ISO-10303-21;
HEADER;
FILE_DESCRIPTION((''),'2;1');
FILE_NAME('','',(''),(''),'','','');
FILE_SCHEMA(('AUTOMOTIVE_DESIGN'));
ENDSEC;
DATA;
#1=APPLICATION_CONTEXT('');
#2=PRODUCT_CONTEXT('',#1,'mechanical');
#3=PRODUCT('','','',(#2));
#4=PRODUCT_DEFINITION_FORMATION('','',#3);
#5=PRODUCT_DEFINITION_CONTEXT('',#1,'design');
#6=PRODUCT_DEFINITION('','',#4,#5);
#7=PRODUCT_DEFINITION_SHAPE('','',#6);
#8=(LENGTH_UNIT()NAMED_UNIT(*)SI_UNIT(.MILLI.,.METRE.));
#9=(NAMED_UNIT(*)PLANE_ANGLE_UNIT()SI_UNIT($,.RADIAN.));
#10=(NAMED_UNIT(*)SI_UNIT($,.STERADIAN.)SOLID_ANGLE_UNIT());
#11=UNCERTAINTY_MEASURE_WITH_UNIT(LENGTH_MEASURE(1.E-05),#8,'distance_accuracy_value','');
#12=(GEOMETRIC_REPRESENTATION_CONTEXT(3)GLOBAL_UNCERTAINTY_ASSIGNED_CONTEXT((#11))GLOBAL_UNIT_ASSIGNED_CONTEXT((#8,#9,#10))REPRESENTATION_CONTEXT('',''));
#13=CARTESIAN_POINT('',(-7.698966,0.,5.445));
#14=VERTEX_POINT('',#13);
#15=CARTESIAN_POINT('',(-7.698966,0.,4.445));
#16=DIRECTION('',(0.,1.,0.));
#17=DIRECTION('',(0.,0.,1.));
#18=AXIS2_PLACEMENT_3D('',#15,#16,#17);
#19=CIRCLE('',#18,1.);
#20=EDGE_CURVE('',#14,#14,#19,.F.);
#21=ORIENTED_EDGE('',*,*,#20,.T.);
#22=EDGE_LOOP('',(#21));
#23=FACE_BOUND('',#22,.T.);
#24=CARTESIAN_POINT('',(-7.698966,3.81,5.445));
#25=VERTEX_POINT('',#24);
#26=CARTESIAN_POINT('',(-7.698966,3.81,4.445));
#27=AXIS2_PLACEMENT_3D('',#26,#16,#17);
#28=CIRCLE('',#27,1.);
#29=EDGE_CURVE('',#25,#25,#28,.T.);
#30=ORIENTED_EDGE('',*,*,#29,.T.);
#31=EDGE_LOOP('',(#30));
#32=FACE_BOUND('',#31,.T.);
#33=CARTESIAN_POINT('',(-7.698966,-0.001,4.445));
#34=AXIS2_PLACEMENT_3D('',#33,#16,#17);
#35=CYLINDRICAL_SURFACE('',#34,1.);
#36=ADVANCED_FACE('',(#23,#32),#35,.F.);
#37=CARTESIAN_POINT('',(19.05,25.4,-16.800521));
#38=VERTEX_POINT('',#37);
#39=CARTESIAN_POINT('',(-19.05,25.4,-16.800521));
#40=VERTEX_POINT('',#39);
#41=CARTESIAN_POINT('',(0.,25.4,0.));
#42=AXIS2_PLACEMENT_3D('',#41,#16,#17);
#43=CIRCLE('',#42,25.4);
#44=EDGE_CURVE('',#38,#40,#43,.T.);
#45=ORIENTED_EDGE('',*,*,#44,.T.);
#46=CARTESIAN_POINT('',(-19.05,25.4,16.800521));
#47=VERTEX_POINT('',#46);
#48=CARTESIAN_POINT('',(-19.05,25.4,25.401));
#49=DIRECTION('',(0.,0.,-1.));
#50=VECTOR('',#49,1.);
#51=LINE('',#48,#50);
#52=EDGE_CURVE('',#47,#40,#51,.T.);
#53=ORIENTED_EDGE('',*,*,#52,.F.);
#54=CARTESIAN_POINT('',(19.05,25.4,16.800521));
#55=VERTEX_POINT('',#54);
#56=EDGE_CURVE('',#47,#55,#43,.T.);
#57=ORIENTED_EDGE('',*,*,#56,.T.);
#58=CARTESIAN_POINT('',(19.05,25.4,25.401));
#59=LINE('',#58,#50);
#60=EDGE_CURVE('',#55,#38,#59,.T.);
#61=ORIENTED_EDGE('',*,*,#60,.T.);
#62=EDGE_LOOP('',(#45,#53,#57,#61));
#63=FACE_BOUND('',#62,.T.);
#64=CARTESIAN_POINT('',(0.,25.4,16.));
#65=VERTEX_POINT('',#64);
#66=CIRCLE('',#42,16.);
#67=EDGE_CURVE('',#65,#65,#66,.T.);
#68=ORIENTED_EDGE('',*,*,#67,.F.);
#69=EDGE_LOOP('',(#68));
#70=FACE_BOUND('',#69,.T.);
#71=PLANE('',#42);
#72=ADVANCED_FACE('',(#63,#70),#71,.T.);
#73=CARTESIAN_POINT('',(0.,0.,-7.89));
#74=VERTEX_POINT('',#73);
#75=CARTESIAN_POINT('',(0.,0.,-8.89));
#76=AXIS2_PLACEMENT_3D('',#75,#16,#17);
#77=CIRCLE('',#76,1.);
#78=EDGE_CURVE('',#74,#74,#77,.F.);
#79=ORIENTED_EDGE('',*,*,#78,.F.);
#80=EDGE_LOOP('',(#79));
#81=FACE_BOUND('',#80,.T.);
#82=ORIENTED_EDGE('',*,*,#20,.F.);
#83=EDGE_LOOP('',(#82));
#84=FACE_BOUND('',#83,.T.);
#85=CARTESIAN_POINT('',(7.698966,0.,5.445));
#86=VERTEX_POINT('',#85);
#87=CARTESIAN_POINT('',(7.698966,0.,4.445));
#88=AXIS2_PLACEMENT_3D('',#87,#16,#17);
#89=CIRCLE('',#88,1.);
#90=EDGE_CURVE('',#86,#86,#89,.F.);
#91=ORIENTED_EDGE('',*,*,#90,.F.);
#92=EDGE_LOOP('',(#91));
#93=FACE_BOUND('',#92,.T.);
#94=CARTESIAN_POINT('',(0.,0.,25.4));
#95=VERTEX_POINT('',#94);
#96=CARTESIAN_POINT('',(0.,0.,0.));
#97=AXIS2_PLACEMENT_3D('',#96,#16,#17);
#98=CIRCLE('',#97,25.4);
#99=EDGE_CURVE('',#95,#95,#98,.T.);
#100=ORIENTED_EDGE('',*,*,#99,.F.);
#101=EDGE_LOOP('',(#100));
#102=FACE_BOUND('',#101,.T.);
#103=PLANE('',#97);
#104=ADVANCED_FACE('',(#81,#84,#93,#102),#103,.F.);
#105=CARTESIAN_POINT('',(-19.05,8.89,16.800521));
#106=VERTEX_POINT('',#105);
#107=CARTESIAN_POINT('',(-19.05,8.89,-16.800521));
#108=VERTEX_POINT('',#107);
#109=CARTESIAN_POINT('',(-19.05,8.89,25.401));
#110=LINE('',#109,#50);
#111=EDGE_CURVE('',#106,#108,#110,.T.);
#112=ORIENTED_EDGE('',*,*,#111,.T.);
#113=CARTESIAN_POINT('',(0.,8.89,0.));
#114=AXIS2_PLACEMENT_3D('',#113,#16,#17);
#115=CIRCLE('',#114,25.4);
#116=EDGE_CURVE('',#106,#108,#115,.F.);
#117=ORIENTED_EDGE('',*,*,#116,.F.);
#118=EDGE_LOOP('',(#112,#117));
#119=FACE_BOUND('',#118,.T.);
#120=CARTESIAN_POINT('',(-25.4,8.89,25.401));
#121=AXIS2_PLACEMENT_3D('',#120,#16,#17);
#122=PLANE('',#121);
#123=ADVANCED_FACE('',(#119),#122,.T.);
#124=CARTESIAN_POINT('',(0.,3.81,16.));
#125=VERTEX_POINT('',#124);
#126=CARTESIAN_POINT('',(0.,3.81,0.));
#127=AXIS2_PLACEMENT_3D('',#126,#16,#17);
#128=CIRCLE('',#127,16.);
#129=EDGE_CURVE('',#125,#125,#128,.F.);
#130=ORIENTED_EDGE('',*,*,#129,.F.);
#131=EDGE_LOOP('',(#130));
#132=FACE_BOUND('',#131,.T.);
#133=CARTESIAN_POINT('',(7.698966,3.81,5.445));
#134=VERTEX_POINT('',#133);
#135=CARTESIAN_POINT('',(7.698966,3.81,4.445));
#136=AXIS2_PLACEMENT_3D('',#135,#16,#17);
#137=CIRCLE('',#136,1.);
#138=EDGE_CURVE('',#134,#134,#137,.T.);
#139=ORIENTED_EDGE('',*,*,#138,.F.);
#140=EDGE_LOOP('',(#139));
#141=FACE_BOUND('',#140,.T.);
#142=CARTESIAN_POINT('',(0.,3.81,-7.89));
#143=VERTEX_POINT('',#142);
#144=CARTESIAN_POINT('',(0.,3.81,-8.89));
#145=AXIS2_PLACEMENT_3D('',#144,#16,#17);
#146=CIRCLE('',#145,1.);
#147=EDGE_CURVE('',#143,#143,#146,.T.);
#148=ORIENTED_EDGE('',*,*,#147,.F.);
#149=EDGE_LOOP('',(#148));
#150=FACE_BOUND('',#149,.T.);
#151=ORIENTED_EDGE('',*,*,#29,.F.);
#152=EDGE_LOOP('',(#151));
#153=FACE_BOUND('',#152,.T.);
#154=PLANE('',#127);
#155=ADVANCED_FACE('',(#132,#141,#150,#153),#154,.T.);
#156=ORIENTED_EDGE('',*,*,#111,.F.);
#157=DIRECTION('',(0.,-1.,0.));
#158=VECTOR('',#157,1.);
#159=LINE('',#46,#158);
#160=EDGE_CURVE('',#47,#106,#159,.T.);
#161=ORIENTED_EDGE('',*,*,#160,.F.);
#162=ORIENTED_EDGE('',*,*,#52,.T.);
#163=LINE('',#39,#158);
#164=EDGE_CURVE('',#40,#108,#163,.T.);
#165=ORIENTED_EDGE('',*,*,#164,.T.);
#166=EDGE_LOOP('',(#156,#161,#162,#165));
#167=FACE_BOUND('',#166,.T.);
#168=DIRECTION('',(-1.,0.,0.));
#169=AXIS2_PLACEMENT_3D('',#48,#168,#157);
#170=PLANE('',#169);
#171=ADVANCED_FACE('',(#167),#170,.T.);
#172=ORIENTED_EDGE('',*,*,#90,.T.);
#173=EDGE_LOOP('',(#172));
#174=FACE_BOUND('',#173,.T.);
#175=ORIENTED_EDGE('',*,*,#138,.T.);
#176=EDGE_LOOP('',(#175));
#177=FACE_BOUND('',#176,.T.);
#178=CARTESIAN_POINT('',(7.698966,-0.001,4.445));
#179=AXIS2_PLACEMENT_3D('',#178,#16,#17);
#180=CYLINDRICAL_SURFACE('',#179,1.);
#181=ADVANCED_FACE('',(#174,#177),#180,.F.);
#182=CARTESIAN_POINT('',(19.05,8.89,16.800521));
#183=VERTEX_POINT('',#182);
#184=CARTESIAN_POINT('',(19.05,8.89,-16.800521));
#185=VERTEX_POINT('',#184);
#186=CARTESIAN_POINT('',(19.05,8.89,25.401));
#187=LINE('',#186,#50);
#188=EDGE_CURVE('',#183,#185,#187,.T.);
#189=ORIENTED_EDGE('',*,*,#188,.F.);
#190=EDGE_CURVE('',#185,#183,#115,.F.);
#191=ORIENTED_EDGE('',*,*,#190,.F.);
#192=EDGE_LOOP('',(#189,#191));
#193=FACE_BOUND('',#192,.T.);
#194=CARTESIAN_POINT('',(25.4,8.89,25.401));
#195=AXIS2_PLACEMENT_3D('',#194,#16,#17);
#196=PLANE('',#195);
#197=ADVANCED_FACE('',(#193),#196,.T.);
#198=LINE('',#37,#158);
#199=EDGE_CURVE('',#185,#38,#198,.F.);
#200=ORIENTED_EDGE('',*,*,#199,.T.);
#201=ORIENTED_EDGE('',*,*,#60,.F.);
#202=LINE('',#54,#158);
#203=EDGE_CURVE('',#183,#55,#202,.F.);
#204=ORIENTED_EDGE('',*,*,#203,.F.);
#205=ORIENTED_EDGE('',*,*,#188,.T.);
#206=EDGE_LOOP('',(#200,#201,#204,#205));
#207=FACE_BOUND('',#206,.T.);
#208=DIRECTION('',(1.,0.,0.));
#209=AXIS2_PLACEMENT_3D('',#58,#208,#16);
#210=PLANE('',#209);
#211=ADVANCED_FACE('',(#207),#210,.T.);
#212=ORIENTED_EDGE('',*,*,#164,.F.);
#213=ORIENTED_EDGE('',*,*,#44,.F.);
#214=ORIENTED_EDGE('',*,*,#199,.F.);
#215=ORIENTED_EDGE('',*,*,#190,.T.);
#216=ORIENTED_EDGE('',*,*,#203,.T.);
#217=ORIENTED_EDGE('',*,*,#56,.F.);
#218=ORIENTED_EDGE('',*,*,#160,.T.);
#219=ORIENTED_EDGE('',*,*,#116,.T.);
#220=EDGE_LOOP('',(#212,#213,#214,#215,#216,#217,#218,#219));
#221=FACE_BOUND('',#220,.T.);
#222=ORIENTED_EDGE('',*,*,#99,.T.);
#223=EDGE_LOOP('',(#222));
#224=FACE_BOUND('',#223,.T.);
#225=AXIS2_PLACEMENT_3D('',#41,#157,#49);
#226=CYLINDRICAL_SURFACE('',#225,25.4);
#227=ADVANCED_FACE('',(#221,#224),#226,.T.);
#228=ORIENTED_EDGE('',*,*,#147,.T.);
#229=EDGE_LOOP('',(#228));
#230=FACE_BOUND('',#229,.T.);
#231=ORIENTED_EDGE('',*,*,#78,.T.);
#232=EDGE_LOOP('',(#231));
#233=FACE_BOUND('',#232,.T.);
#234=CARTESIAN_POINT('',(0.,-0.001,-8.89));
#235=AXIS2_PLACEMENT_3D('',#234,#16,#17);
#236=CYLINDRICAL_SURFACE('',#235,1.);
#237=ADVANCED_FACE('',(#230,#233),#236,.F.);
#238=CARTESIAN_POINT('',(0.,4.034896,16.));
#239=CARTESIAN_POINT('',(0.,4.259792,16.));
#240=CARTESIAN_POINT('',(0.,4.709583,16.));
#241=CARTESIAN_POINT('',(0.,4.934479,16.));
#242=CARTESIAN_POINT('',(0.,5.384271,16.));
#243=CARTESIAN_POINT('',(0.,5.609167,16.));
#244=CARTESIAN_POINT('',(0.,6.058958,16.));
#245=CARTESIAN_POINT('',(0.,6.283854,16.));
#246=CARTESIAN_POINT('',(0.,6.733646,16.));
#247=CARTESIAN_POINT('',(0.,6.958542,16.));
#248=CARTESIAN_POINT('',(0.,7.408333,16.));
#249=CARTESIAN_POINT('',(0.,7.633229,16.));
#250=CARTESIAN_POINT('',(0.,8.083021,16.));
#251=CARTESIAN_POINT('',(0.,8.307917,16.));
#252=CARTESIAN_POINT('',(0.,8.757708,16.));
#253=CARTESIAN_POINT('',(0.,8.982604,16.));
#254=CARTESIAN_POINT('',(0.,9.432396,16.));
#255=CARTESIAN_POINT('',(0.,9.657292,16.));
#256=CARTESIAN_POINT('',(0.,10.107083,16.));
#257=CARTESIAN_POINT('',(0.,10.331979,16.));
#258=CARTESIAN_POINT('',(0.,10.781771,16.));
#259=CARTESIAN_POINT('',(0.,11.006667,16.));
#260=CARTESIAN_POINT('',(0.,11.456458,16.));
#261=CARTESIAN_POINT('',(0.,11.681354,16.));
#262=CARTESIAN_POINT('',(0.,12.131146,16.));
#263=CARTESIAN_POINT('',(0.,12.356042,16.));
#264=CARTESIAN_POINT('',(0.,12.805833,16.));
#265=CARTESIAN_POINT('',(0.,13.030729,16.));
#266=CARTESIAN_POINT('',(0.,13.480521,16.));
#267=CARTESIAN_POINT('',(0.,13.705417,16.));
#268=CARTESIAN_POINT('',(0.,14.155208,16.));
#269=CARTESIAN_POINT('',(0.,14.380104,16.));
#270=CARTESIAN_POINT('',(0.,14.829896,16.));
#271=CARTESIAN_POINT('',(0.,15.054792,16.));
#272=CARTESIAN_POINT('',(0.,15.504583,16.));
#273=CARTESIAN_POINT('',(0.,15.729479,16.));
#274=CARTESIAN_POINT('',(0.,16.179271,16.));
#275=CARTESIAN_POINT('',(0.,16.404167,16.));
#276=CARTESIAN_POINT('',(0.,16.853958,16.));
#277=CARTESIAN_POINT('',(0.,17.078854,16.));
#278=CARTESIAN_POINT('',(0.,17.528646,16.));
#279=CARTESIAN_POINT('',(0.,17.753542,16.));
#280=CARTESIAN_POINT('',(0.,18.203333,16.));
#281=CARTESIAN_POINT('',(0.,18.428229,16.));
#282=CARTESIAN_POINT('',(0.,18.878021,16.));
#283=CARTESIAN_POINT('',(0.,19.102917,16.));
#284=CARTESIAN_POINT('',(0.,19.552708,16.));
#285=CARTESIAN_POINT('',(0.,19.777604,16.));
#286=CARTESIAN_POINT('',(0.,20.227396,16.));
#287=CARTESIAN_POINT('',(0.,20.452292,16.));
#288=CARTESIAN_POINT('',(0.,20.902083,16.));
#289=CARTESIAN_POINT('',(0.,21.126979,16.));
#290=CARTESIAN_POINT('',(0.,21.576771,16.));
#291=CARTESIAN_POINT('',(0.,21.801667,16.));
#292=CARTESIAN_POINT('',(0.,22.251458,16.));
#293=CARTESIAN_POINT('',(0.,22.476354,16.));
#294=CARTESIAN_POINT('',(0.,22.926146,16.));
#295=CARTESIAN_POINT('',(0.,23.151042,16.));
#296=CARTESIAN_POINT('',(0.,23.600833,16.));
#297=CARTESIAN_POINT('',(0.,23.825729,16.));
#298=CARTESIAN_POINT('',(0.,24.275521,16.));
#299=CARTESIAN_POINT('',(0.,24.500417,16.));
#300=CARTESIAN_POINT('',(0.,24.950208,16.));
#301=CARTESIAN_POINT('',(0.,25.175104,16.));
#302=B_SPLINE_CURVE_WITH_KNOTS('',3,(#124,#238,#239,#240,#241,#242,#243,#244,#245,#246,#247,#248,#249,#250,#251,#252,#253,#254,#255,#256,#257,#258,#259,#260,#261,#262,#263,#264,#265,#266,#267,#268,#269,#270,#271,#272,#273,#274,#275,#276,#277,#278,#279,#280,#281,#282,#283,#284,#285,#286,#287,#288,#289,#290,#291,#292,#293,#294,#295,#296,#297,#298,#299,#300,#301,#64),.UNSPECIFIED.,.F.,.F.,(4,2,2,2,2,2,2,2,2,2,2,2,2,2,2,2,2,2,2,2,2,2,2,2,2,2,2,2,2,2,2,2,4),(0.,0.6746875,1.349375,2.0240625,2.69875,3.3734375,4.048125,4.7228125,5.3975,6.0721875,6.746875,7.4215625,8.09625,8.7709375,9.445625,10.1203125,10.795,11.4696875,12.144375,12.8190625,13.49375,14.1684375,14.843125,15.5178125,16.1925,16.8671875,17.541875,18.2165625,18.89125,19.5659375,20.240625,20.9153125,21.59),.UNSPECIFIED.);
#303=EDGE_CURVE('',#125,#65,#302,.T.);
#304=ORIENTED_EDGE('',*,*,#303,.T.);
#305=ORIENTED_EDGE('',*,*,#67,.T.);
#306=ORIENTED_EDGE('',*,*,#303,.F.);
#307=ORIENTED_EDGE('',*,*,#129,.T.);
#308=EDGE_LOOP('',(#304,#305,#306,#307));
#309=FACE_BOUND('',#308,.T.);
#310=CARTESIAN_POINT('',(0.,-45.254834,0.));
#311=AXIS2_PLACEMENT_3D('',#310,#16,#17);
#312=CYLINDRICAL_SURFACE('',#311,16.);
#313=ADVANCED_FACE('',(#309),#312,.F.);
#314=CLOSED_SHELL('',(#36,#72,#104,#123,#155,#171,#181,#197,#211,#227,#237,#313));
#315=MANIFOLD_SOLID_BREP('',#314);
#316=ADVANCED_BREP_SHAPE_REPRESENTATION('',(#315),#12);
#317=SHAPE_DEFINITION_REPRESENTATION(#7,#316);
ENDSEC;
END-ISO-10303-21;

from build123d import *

# Parameters (mm, degrees)
SKETCH1_R                           = 25.4
BOSS_EXTRUDE1_DEPTH                 = 25.4
SKETCH2_R                           = 16
CUT_EXTRUDE1_DEPTH                  = 21.59
CUT_EXTRUDE2_REACH                  = 45.994
CUT_EXTRUDE2_END_RADIUS             = 25.4
SKETCH3_W                           = 6.35
SKETCH3_H                           = 16.51
CUT_EXTRUDE2_DIRECTION_2_REACH      = 45.994
CUT_EXTRUDE2_DIRECTION_2_END_RADIUS = 25.4
CUT_EXTRUDE3_REACH                  = 43.91
SKETCH4_R                           = 1


with BuildPart() as part:
    # Sketch1 → Boss-Extrude1 (new body)
    with BuildSketch(Plane(origin=(0, 0, 0), x_dir=(1, 0, 0), z_dir=(0, 1, 0))):
        with Locations(Location((0, 0, 0), (0, 0, 270))):
            Circle(SKETCH1_R)
    extrude(amount=BOSS_EXTRUDE1_DEPTH)

    # Sketch2 → Cut-Extrude1 (cut)
    with BuildSketch(Plane(origin=(0, 25.4, 0), x_dir=(1, 0, 0), z_dir=(0, 1, 0))):
        with Locations(Location((0, 0, 0), (0, 0, 270))):
            Circle(SKETCH2_R)
    extrude(amount=-CUT_EXTRUDE1_DEPTH, mode=Mode.SUBTRACT)

    # Cut-Extrude2: up to this cylinder (the profile starts inside it)
    cut_extrude2_end = Plane(origin=(0, 17.145, 0), z_dir=(0, -1, 0)) * Cylinder(CUT_EXTRUDE2_END_RADIUS, 143.788, mode=Mode.PRIVATE)
    # Sketch3 → Cut-Extrude2 (cut, up to the surface)
    with BuildSketch(Plane.XY, mode=Mode.PRIVATE) as cut_extrude2_sk1:
        with Locations((22.225, 17.145)):
            Rectangle(SKETCH3_W, SKETCH3_H)
    cut_extrude2_tool1 = extrude(cut_extrude2_sk1.sketch, amount=-CUT_EXTRUDE2_REACH, mode=Mode.PRIVATE) & cut_extrude2_end
    add(cut_extrude2_tool1.solids().sort_by_distance((22.225, 17.145, 0))[0], mode=Mode.SUBTRACT)
    # Sketch3 → Cut-Extrude2 (cut, up to the surface)
    with BuildSketch(Plane.XY, mode=Mode.PRIVATE) as cut_extrude2_sk2:
        with Locations((-22.225, 17.145)):
            Rectangle(SKETCH3_W, SKETCH3_H)
    cut_extrude2_tool2 = extrude(cut_extrude2_sk2.sketch, amount=-CUT_EXTRUDE2_REACH, mode=Mode.PRIVATE) & cut_extrude2_end
    add(cut_extrude2_tool2.solids().sort_by_distance((-22.225, 17.145, 0))[0], mode=Mode.SUBTRACT)

    # Cut-Extrude2 direction 2: up to this cylinder (the profile starts inside it)
    cut_extrude2_direction_2_end = Plane(origin=(0, 17.145, 0), z_dir=(0, -1, 0)) * Cylinder(CUT_EXTRUDE2_DIRECTION_2_END_RADIUS, 143.788, mode=Mode.PRIVATE)
    # Sketch3 → Cut-Extrude2 direction 2 (cut, up to the surface)
    with BuildSketch(Plane.XY, mode=Mode.PRIVATE) as cut_extrude2_direction_2_sk1:
        with Locations((22.225, 17.145)):
            Rectangle(SKETCH3_W, SKETCH3_H)
    cut_extrude2_direction_2_tool1 = extrude(cut_extrude2_direction_2_sk1.sketch, amount=CUT_EXTRUDE2_DIRECTION_2_REACH, mode=Mode.PRIVATE) & cut_extrude2_direction_2_end
    add(cut_extrude2_direction_2_tool1.solids().sort_by_distance((22.225, 17.145, 0))[0], mode=Mode.SUBTRACT)
    # Sketch3 → Cut-Extrude2 direction 2 (cut, up to the surface)
    with BuildSketch(Plane.XY, mode=Mode.PRIVATE) as cut_extrude2_direction_2_sk2:
        with Locations((-22.225, 17.145)):
            Rectangle(SKETCH3_W, SKETCH3_H)
    cut_extrude2_direction_2_tool2 = extrude(cut_extrude2_direction_2_sk2.sketch, amount=CUT_EXTRUDE2_DIRECTION_2_REACH, mode=Mode.PRIVATE) & cut_extrude2_direction_2_end
    add(cut_extrude2_direction_2_tool2.solids().sort_by_distance((-22.225, 17.145, 0))[0], mode=Mode.SUBTRACT)

    # Sketch4 → Cut-Extrude3 (cut, up to next)
    with BuildSketch(Plane(origin=(0, 3.81, 0), x_dir=(1, 0, 0), z_dir=(0, 1, 0)), mode=Mode.PRIVATE) as cut_extrude3_sk1:
        with Locations(Location((0, 8.89, 0), (0, 0, 270))):
            Circle(SKETCH4_R)
    cut_extrude3_tool1 = extrude(cut_extrude3_sk1.sketch, amount=-CUT_EXTRUDE3_REACH, mode=Mode.PRIVATE) & part.part
    # Sketch4 → Cut-Extrude3 (cut, up to next)
    with BuildSketch(Plane(origin=(0, 3.81, 0), x_dir=(1, 0, 0), z_dir=(0, 1, 0)), mode=Mode.PRIVATE) as cut_extrude3_sk2:
        with Locations(Location((7.69896584, -4.445, 0), (0, 0, 270))):
            Circle(SKETCH4_R)
    cut_extrude3_tool2 = extrude(cut_extrude3_sk2.sketch, amount=-CUT_EXTRUDE3_REACH, mode=Mode.PRIVATE) & part.part
    # Sketch4 → Cut-Extrude3 (cut, up to next)
    with BuildSketch(Plane(origin=(0, 3.81, 0), x_dir=(1, 0, 0), z_dir=(0, 1, 0)), mode=Mode.PRIVATE) as cut_extrude3_sk3:
        with Locations(Location((-7.69896584, -4.445, 0), (0, 0, 270))):
            Circle(SKETCH4_R)
    cut_extrude3_tool3 = extrude(cut_extrude3_sk3.sketch, amount=-CUT_EXTRUDE3_REACH, mode=Mode.PRIVATE) & part.part
    add(cut_extrude3_tool1.solids().sort_by_distance((0, 3.81, -8.89))[0], mode=Mode.SUBTRACT)
    add(cut_extrude3_tool2.solids().sort_by_distance((7.698966, 3.81, 4.445))[0], mode=Mode.SUBTRACT)
    add(cut_extrude3_tool3.solids().sort_by_distance((-7.698966, 3.81, 4.445))[0], mode=Mode.SUBTRACT)


solid = part.part
